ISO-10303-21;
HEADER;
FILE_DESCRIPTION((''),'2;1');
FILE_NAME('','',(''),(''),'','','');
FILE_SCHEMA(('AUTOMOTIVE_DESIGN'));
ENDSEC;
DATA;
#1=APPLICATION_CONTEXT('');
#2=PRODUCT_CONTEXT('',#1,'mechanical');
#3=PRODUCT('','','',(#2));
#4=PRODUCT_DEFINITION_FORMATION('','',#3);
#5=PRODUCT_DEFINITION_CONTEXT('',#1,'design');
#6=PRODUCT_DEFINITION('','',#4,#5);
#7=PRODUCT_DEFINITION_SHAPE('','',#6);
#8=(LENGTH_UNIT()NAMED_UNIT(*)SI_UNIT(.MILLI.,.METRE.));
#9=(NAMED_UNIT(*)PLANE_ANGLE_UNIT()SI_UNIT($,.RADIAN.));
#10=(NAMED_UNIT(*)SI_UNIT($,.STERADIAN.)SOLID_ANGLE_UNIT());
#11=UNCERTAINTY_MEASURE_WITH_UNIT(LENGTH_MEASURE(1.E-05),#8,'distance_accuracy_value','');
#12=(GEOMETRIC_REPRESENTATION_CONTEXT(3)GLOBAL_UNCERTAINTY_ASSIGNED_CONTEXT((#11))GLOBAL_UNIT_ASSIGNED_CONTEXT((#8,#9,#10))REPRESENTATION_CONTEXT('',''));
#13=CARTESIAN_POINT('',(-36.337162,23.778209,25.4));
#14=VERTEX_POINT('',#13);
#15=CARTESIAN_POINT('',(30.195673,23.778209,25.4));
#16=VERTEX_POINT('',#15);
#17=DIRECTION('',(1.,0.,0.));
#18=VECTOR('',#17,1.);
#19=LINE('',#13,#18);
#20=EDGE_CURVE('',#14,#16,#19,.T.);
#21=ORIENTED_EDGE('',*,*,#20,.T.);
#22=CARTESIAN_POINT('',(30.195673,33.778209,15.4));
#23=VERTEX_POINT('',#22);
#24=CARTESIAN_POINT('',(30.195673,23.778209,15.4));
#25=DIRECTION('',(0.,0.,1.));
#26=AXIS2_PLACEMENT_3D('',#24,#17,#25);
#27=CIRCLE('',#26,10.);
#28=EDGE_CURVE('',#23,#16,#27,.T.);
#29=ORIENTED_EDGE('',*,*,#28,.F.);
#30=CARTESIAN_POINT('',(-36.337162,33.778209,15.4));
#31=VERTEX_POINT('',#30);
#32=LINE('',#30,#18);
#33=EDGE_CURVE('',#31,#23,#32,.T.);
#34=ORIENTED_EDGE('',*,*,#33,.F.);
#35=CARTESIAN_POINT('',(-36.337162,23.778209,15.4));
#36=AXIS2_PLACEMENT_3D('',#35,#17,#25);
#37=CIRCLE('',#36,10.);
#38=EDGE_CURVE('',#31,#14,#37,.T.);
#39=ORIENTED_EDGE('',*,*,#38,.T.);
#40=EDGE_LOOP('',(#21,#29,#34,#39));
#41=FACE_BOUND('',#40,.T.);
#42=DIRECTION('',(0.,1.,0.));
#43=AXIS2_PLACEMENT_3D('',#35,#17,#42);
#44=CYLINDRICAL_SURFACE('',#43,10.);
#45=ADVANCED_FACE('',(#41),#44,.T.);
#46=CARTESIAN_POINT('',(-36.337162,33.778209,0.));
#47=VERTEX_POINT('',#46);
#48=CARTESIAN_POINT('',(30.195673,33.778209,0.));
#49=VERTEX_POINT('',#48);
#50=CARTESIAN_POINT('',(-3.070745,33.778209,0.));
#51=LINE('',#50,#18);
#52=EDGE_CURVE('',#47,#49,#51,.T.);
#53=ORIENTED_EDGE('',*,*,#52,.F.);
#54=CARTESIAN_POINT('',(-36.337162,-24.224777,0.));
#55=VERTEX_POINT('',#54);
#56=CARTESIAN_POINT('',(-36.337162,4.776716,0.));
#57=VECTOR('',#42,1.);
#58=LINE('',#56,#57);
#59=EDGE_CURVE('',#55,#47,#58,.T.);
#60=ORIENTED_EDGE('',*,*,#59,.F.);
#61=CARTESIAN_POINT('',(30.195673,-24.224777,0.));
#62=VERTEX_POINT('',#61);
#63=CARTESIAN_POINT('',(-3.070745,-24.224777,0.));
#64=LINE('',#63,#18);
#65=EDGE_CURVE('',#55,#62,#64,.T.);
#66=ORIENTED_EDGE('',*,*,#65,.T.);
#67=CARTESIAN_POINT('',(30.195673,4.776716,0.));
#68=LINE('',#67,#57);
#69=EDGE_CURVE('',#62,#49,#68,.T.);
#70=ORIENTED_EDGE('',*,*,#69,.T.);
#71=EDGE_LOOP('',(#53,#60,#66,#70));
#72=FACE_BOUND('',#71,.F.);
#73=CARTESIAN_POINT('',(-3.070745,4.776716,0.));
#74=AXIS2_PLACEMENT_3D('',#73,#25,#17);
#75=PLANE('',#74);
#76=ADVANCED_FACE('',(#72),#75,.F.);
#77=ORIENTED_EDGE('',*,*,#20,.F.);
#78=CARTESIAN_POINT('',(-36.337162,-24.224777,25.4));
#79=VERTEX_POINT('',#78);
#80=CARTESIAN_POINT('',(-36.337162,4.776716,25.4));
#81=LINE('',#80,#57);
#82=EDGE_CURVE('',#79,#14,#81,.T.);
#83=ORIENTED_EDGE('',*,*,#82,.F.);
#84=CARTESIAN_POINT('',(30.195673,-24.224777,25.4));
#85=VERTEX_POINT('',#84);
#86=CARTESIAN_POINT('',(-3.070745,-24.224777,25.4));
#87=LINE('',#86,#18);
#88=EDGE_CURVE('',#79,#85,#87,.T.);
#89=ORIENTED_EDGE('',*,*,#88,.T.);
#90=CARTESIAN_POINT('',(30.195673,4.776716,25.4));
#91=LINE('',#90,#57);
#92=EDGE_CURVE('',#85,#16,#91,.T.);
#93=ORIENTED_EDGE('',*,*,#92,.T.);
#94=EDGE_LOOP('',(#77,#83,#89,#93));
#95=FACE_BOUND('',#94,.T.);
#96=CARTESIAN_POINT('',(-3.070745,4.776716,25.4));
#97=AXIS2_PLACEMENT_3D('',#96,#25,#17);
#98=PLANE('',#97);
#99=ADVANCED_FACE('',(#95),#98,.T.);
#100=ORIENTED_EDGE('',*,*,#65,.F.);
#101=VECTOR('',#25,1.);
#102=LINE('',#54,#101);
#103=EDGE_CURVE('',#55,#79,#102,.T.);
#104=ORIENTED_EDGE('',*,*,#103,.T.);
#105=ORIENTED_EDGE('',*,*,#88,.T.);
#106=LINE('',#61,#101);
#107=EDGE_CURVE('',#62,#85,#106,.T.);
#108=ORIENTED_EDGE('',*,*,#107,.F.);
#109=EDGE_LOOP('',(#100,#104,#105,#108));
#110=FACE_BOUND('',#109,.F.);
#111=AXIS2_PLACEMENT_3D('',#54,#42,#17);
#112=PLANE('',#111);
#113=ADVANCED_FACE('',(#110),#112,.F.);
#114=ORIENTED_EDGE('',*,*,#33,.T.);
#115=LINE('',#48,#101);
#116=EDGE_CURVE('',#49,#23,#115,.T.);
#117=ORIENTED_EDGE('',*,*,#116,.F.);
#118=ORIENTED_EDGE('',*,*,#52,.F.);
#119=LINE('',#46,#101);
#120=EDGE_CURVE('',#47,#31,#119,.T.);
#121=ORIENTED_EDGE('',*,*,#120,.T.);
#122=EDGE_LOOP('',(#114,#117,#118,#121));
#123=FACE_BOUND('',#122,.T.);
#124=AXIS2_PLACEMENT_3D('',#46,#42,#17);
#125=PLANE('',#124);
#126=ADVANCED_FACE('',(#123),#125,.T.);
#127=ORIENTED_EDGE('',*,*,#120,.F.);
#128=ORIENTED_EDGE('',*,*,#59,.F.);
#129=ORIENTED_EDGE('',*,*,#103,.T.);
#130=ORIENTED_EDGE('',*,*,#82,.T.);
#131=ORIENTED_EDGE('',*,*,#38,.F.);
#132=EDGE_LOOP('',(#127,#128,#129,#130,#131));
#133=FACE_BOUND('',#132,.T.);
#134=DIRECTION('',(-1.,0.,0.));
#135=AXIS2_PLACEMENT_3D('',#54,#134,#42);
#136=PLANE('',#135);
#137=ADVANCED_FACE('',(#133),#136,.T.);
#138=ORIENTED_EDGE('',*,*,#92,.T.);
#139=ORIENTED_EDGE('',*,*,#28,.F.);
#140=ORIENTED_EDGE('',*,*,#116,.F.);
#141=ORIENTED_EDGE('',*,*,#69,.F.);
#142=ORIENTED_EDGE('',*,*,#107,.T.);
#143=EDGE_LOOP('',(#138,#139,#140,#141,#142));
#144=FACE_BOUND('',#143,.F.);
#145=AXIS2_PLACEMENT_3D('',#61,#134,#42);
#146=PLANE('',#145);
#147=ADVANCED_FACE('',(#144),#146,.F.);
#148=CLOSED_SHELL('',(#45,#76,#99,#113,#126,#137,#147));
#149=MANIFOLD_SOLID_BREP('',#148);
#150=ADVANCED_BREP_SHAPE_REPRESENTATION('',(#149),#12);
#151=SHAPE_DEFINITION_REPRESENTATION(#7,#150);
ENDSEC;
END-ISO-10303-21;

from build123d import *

# Parameters (mm, degrees)
F0_W     = 66.532835
F0_H     = 58.002986
F1_DEPTH = 25.4
F2_R     = 10


with BuildPart() as f1:
    # F0 (on Top) → F1 (new body)
    with BuildSketch(Plane.XY):
        with Locations((-3.070745, 4.776716)):
            Rectangle(F0_W, F0_H)
    extrude(amount=F1_DEPTH)

    # F2
    f2_edges = [f1.edges().sort_by_distance(p)[0] for p in [
        (-3.070746, 33.778209, 25.4),
    ]]
    fillet(f2_edges, radius=F2_R)


solid = f1.part
